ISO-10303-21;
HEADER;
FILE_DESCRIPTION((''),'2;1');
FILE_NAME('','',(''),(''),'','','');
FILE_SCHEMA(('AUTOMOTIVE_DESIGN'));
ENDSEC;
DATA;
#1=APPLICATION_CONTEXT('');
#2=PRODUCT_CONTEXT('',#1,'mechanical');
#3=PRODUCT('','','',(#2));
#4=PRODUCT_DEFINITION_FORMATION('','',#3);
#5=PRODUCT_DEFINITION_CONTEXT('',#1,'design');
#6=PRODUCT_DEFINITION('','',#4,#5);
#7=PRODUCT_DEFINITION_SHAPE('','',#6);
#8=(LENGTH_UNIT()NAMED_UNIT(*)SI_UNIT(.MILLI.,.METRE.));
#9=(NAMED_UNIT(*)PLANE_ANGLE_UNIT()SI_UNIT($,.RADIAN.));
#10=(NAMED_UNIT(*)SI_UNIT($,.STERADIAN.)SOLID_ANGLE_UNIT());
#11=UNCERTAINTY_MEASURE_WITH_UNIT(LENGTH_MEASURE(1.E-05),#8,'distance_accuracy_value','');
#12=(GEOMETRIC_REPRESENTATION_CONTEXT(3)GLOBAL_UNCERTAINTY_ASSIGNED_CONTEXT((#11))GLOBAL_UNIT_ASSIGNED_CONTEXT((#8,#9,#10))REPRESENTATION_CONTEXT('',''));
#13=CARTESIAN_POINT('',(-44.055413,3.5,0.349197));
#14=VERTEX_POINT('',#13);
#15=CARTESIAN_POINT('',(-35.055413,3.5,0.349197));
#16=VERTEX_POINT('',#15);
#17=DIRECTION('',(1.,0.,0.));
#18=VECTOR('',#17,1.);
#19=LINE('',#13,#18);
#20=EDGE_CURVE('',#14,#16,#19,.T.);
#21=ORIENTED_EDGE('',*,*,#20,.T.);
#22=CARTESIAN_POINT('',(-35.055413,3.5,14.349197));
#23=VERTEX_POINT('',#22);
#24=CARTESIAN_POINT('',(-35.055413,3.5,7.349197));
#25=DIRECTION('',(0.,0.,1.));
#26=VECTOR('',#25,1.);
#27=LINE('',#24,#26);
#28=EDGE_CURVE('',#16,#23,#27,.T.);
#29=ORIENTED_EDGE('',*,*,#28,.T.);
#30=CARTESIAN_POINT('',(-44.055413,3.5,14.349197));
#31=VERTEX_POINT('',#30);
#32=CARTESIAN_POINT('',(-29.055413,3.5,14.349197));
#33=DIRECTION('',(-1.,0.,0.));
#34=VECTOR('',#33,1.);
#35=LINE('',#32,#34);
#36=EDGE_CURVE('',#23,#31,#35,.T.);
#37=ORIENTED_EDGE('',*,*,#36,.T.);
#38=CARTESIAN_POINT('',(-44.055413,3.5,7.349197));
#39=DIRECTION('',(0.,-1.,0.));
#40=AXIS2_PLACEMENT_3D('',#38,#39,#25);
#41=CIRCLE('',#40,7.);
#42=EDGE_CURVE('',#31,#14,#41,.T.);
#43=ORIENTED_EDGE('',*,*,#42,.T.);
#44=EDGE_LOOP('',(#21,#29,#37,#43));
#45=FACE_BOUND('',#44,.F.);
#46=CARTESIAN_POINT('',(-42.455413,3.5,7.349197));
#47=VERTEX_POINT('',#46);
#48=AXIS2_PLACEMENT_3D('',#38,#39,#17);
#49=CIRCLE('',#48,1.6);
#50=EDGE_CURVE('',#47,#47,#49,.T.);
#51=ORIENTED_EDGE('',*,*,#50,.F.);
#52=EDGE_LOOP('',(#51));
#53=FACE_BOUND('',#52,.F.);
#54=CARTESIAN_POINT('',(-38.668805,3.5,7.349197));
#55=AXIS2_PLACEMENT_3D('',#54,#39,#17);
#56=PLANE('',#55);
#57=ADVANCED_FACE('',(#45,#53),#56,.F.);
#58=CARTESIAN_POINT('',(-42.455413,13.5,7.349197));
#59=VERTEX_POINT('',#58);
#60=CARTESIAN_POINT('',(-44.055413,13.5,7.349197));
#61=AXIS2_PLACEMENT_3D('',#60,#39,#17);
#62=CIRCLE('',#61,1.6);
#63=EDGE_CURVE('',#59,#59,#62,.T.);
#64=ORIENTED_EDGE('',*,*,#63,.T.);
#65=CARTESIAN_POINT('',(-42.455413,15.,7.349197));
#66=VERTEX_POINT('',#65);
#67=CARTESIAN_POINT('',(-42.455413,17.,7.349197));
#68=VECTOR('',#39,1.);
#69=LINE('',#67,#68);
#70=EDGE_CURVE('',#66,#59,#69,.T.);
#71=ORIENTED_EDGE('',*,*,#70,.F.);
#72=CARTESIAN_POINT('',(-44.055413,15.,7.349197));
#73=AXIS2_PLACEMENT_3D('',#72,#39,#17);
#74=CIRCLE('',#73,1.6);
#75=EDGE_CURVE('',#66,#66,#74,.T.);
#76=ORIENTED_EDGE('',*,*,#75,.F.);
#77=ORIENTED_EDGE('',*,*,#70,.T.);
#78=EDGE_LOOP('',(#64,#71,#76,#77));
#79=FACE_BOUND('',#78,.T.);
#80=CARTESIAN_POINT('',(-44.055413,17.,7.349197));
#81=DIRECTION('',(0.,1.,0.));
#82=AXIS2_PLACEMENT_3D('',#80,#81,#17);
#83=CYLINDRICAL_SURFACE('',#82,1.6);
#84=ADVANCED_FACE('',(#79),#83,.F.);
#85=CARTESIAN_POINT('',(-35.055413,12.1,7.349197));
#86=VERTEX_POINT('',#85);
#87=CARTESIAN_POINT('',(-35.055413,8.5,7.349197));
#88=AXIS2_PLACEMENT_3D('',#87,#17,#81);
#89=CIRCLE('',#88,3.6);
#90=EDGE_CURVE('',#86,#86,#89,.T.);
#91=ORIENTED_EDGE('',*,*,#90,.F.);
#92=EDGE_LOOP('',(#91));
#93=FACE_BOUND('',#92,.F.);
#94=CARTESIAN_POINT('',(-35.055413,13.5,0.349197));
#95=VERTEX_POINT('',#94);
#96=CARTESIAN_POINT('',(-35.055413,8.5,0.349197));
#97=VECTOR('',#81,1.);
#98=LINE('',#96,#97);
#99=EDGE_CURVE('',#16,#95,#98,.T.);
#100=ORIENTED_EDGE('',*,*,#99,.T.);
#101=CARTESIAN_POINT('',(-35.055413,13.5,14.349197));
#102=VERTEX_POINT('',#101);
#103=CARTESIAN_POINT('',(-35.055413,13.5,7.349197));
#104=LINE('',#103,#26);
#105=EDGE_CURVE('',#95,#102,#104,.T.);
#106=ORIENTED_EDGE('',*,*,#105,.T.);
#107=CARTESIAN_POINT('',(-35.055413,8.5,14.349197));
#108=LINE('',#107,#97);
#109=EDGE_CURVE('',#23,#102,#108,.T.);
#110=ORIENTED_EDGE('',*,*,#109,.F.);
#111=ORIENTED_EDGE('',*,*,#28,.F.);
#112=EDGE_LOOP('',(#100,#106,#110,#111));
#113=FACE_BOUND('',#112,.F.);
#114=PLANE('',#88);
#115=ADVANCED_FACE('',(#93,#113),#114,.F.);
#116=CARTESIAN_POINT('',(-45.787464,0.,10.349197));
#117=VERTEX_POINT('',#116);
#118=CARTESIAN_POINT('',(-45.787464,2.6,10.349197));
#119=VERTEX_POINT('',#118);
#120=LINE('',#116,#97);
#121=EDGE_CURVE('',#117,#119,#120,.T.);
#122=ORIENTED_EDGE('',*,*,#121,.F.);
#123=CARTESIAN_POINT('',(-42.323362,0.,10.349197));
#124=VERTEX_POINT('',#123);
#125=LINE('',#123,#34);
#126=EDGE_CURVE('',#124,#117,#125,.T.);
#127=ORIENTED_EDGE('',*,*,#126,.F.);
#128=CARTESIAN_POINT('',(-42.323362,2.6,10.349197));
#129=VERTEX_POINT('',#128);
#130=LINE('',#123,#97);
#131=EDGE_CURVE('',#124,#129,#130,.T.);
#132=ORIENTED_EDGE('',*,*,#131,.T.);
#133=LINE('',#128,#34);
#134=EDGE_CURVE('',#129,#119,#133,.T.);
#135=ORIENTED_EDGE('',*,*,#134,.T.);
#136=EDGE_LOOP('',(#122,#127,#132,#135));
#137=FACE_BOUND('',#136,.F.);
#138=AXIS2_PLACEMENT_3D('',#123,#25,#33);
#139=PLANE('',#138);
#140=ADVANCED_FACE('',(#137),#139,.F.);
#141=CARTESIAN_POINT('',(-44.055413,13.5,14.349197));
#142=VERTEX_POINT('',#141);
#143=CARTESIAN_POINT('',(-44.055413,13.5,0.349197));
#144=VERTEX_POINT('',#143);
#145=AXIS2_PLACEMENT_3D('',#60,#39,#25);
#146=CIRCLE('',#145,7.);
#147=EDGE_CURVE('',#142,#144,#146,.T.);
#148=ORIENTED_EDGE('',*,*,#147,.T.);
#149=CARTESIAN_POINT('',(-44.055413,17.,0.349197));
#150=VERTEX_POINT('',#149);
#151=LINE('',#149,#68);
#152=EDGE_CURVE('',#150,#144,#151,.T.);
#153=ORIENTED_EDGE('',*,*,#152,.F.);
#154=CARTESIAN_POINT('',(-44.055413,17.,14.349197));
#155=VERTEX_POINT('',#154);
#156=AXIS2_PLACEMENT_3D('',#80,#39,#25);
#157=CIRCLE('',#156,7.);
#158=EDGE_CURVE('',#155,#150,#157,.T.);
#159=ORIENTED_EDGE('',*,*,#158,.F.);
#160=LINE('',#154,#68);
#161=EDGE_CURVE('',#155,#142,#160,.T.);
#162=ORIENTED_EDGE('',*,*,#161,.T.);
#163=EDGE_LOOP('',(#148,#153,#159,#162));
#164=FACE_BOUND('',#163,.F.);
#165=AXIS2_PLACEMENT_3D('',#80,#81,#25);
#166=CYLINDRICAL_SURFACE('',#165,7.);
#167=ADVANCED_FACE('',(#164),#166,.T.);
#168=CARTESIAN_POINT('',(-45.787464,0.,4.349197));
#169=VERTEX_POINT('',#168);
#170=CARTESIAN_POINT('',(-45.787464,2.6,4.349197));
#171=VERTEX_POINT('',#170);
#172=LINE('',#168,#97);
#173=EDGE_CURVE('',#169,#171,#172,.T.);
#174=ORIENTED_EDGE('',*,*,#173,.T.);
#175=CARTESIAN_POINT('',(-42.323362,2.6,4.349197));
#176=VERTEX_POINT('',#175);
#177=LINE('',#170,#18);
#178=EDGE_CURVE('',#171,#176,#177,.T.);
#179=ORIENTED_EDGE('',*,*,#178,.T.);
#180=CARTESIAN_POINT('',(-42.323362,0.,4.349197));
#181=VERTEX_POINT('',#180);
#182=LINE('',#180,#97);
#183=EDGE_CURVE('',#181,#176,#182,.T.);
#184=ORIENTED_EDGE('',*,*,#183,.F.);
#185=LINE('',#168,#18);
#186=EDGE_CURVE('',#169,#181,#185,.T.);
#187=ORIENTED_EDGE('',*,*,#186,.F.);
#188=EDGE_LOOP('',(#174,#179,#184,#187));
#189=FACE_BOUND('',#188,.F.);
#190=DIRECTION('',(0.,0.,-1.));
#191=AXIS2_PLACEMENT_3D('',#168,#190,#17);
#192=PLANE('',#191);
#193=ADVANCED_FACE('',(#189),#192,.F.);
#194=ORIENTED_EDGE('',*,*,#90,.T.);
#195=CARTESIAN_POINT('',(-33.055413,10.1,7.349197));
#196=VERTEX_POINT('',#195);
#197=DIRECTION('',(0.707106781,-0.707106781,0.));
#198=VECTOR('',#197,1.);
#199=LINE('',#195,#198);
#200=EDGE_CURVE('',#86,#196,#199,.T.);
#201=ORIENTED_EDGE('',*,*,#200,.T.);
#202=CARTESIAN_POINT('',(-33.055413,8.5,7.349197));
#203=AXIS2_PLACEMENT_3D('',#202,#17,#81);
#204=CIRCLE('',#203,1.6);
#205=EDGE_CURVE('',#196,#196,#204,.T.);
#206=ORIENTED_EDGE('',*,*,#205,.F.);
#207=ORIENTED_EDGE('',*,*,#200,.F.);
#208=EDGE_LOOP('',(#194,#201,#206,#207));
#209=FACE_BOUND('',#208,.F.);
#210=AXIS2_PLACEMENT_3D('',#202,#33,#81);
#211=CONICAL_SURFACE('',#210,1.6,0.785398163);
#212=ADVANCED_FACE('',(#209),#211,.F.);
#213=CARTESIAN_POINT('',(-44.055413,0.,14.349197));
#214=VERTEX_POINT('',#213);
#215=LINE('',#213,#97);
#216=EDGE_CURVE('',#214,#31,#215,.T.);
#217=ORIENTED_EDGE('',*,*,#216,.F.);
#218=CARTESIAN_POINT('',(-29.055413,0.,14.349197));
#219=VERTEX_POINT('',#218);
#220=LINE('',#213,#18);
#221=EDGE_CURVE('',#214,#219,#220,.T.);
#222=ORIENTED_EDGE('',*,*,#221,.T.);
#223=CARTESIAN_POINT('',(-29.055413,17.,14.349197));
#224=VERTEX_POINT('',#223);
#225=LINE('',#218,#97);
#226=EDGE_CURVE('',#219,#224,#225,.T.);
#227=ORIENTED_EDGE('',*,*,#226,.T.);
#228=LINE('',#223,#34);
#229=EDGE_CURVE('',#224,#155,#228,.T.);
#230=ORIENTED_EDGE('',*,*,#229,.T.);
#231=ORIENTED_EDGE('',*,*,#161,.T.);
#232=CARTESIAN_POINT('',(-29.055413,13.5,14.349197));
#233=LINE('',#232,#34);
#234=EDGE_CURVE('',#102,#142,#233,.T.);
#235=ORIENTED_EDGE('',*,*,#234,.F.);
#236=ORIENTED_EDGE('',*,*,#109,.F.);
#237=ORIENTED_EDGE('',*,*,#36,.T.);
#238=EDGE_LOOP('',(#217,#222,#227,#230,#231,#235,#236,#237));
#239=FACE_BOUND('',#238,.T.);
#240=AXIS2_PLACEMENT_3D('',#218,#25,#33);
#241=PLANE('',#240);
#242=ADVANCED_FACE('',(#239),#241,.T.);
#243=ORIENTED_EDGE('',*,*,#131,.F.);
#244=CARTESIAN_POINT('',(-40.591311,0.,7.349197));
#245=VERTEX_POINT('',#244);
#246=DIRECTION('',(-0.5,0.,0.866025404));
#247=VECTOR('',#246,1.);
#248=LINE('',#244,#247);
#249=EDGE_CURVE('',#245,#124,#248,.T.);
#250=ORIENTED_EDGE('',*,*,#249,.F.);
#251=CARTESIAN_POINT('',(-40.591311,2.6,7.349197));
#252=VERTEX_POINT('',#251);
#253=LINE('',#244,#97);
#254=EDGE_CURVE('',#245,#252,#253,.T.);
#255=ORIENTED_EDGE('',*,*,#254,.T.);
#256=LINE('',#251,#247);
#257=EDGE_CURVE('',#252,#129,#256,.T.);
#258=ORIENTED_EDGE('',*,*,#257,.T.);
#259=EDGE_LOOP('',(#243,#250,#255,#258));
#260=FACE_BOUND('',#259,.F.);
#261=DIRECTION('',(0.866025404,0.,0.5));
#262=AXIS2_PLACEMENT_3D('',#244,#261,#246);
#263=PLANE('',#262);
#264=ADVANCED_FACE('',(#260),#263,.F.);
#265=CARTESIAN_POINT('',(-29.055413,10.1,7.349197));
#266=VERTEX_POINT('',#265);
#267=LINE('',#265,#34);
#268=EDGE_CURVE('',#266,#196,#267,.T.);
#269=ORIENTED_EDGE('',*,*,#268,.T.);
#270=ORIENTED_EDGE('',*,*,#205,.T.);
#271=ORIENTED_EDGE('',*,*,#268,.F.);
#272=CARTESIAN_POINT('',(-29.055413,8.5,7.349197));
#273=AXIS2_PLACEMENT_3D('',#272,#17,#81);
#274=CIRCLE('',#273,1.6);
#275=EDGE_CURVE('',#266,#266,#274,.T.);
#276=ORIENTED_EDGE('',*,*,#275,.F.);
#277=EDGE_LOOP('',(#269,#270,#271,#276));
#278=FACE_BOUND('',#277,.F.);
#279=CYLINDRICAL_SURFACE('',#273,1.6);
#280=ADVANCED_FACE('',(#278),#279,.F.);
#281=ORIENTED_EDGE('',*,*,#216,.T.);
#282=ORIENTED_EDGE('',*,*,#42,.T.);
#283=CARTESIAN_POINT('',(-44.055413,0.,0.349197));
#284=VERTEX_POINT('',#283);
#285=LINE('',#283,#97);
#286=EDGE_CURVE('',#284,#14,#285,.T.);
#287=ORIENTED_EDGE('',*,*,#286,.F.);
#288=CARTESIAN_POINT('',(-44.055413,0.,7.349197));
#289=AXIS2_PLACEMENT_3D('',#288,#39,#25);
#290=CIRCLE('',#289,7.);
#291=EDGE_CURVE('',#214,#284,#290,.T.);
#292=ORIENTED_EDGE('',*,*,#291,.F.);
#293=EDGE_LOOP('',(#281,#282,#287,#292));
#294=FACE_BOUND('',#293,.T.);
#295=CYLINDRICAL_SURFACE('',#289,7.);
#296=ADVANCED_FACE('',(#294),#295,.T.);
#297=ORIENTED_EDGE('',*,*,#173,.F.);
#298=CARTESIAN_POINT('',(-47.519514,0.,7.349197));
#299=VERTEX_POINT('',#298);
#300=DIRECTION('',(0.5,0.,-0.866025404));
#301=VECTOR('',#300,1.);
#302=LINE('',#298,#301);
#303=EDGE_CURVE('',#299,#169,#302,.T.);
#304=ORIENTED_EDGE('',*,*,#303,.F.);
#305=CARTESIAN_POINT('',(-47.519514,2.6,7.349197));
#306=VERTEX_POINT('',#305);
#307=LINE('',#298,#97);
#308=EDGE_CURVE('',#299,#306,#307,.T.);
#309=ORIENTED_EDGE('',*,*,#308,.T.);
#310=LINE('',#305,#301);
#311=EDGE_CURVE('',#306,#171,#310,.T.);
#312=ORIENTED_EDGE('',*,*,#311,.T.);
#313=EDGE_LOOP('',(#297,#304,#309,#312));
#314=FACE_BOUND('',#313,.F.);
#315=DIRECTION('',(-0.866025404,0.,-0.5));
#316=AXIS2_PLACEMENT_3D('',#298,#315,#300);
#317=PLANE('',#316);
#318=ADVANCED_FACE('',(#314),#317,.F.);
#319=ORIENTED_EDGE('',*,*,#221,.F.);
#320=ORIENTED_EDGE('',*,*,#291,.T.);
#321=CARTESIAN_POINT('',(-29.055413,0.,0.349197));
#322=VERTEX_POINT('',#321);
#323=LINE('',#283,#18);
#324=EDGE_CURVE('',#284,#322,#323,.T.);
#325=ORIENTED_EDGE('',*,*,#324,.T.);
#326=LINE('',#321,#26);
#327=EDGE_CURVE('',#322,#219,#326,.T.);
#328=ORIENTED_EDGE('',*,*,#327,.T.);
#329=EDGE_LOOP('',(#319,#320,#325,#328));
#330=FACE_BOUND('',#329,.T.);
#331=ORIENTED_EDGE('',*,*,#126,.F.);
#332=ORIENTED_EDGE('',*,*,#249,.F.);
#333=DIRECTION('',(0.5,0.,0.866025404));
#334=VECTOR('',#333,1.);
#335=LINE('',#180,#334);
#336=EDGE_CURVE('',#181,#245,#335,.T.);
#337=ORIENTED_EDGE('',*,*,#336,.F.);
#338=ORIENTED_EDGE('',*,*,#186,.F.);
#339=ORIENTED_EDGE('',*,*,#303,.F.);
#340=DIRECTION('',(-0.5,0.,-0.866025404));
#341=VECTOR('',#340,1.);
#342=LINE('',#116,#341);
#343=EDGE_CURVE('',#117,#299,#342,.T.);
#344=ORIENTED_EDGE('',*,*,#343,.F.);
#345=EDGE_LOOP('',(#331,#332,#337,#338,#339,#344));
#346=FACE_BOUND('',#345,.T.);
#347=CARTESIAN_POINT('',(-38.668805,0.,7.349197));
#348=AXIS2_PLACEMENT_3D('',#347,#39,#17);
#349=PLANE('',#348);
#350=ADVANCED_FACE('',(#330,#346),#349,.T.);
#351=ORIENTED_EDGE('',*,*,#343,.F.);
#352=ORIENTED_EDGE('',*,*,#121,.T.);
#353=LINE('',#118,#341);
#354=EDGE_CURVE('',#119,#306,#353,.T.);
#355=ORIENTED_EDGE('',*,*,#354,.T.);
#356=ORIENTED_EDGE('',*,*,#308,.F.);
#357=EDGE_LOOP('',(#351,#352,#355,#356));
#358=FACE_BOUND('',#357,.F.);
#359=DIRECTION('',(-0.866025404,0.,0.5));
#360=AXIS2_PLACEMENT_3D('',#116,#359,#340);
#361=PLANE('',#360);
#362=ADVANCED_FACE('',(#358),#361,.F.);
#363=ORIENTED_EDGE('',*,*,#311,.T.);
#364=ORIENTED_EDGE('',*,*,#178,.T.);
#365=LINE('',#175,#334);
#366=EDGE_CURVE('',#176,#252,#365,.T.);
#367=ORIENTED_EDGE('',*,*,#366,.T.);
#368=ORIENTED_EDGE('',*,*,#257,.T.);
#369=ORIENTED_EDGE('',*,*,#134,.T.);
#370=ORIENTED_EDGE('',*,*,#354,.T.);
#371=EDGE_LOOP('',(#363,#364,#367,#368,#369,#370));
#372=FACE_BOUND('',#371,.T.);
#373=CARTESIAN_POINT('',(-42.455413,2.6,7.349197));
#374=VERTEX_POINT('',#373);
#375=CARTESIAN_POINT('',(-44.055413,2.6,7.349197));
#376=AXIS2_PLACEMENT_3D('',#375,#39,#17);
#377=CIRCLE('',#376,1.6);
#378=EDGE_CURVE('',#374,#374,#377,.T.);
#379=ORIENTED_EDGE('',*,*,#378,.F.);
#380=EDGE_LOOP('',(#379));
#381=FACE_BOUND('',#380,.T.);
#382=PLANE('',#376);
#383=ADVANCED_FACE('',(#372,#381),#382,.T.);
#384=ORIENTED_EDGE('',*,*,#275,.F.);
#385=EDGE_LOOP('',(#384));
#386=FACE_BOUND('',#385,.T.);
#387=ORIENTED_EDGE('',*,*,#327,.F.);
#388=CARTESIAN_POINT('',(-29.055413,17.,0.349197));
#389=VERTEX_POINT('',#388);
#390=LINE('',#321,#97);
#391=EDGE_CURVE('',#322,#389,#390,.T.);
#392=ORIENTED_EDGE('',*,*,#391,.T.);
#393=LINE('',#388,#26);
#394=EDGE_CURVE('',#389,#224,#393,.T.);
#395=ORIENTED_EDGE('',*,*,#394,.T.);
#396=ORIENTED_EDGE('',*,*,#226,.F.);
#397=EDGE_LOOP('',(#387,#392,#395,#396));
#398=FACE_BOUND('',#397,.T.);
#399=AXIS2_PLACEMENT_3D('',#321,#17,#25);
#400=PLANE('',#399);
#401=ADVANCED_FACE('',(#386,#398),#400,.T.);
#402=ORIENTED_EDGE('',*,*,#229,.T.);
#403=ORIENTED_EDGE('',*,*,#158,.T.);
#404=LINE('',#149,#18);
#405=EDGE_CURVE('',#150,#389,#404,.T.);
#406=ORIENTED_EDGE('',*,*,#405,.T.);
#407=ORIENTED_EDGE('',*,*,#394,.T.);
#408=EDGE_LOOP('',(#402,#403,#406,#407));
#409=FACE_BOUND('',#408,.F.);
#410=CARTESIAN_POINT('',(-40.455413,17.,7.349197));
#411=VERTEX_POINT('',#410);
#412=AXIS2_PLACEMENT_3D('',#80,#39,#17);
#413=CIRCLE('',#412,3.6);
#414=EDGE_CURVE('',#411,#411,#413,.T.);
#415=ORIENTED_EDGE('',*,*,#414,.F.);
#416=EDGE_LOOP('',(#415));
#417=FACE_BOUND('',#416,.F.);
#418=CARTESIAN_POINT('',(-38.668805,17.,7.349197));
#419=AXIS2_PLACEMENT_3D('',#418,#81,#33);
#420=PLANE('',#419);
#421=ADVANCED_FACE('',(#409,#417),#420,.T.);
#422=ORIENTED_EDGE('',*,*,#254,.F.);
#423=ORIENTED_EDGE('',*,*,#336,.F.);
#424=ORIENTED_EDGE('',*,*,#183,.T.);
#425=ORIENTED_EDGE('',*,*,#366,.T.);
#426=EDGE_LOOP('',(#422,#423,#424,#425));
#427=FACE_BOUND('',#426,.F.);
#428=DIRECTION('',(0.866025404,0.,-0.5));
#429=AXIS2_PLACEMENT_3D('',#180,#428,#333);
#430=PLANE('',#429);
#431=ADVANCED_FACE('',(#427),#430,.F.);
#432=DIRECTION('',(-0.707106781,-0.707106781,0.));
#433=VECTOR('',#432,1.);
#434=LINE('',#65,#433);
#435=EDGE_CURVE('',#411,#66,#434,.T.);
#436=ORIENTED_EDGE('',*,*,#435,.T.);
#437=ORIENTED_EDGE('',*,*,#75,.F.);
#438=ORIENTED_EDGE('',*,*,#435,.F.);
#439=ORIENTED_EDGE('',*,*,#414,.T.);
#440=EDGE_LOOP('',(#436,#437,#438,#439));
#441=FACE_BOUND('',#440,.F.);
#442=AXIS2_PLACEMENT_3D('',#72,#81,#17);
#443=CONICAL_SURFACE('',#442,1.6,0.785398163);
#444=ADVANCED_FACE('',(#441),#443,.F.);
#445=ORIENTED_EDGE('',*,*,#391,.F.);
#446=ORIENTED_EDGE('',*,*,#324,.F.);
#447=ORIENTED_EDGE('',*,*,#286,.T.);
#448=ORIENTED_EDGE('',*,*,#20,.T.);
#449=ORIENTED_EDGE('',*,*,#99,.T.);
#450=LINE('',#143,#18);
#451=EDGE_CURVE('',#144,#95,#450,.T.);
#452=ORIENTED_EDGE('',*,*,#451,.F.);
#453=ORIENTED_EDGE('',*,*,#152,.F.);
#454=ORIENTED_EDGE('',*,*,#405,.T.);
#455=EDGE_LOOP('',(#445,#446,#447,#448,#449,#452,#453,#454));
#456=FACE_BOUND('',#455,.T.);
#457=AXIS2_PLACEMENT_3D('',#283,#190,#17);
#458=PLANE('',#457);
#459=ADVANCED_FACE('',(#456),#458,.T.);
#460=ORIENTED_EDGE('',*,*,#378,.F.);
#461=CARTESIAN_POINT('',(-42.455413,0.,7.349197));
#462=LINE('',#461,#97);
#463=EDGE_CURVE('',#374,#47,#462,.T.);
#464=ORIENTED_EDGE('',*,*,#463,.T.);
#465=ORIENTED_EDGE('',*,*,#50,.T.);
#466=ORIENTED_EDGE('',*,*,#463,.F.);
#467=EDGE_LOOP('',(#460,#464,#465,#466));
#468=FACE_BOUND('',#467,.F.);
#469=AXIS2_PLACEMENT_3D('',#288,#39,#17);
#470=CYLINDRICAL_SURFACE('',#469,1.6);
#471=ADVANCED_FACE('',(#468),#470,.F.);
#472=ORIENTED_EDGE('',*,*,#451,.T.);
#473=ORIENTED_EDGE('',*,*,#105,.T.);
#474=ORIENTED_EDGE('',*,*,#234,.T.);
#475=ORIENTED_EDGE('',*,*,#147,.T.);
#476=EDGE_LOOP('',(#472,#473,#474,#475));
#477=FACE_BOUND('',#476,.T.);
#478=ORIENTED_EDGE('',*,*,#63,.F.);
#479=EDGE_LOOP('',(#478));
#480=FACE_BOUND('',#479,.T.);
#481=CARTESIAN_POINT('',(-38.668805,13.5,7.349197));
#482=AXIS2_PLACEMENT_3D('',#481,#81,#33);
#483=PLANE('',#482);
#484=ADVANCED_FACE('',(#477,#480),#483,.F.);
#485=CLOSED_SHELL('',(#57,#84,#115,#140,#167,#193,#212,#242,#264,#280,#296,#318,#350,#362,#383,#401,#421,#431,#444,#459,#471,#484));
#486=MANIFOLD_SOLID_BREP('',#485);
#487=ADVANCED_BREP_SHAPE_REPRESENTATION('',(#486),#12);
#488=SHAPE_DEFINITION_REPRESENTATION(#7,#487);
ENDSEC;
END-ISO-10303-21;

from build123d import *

# Parameters (mm, degrees)
F0_R     = 1.6
F4_DEPTH = 3.5
F3_W     = 17
F3_H     = 14
F3_R     = 1.6
F7_DEPTH = 6
F8_R     = 1.6
F9_DEPTH = 2.6
F10_SIZE = 2


with BuildPart() as f4:
    # F0 (on Front) → F4 (new body, through all)
    with BuildSketch(Plane.XZ):
        with BuildLine():
            Line((-29.0554127395, 14.3491971341), (-44.0554127395, 14.3491971341))
            ThreePointArc((-44.0554127395, 14.3491971341), (-51.0554127395, 7.3491971341), (-44.0554127395, 0.3491971341))
            Line((-44.0554127395, 0.3491971341), (-29.0554127395, 0.3491971341))
            Line((-29.0554127395, 0.3491971341), (-29.0554127395, 14.3491971341))
        make_face()
        with Locations((-44.0554127395, 7.3491971341)):
            Circle(F0_R, mode=Mode.SUBTRACT)
    extrude(amount=-F4_DEPTH)


with BuildPart() as f6_1:
    # F6: instance of F4
    add(f4.part.mirror(Plane(origin=(0, 8.5, 0), x_dir=(-1, 0, 0), z_dir=(0, 1, 0))))


with BuildPart() as f4_1:
    add(f4.part)

    add(f6_1.part)  # F7 merges F6_1
    # F3 (on face) → F7 (join, through all)
    with BuildSketch(Plane.YZ.offset(-29.0554127395)):
        with Locations((8.5, 7.3491971341)):
            Rectangle(F3_W, F3_H)
        with Locations((8.5, 7.3491971341)):
            Circle(F3_R, mode=Mode.SUBTRACT)
    extrude(amount=-F7_DEPTH)

    # F8 (on face) → F9 (cut)
    with BuildSketch(Plane.XZ):
        Polygon((-42.3233619319, 10.3491971341), (-45.7874635471, 10.3491971341), (-47.5195143547, 7.3491971341), (-45.7874635471, 4.3491971341), (-42.3233619319, 4.3491971341), (-40.5913111244, 7.3491971341), align=None)
        with Locations((-44.0554127395, 7.3491971341)):
            Circle(F8_R, mode=Mode.SUBTRACT)
    extrude(amount=-F9_DEPTH, mode=Mode.SUBTRACT)

    # F10
    f10_edges = [f4_1.edges().sort_by_distance(p)[0] for p in [
        (-45.655413, 17, 7.349197),
        (-35.055413, 6.9, 7.349197),
    ]]
    chamfer(f10_edges, length=F10_SIZE)


solid = f4_1.part
